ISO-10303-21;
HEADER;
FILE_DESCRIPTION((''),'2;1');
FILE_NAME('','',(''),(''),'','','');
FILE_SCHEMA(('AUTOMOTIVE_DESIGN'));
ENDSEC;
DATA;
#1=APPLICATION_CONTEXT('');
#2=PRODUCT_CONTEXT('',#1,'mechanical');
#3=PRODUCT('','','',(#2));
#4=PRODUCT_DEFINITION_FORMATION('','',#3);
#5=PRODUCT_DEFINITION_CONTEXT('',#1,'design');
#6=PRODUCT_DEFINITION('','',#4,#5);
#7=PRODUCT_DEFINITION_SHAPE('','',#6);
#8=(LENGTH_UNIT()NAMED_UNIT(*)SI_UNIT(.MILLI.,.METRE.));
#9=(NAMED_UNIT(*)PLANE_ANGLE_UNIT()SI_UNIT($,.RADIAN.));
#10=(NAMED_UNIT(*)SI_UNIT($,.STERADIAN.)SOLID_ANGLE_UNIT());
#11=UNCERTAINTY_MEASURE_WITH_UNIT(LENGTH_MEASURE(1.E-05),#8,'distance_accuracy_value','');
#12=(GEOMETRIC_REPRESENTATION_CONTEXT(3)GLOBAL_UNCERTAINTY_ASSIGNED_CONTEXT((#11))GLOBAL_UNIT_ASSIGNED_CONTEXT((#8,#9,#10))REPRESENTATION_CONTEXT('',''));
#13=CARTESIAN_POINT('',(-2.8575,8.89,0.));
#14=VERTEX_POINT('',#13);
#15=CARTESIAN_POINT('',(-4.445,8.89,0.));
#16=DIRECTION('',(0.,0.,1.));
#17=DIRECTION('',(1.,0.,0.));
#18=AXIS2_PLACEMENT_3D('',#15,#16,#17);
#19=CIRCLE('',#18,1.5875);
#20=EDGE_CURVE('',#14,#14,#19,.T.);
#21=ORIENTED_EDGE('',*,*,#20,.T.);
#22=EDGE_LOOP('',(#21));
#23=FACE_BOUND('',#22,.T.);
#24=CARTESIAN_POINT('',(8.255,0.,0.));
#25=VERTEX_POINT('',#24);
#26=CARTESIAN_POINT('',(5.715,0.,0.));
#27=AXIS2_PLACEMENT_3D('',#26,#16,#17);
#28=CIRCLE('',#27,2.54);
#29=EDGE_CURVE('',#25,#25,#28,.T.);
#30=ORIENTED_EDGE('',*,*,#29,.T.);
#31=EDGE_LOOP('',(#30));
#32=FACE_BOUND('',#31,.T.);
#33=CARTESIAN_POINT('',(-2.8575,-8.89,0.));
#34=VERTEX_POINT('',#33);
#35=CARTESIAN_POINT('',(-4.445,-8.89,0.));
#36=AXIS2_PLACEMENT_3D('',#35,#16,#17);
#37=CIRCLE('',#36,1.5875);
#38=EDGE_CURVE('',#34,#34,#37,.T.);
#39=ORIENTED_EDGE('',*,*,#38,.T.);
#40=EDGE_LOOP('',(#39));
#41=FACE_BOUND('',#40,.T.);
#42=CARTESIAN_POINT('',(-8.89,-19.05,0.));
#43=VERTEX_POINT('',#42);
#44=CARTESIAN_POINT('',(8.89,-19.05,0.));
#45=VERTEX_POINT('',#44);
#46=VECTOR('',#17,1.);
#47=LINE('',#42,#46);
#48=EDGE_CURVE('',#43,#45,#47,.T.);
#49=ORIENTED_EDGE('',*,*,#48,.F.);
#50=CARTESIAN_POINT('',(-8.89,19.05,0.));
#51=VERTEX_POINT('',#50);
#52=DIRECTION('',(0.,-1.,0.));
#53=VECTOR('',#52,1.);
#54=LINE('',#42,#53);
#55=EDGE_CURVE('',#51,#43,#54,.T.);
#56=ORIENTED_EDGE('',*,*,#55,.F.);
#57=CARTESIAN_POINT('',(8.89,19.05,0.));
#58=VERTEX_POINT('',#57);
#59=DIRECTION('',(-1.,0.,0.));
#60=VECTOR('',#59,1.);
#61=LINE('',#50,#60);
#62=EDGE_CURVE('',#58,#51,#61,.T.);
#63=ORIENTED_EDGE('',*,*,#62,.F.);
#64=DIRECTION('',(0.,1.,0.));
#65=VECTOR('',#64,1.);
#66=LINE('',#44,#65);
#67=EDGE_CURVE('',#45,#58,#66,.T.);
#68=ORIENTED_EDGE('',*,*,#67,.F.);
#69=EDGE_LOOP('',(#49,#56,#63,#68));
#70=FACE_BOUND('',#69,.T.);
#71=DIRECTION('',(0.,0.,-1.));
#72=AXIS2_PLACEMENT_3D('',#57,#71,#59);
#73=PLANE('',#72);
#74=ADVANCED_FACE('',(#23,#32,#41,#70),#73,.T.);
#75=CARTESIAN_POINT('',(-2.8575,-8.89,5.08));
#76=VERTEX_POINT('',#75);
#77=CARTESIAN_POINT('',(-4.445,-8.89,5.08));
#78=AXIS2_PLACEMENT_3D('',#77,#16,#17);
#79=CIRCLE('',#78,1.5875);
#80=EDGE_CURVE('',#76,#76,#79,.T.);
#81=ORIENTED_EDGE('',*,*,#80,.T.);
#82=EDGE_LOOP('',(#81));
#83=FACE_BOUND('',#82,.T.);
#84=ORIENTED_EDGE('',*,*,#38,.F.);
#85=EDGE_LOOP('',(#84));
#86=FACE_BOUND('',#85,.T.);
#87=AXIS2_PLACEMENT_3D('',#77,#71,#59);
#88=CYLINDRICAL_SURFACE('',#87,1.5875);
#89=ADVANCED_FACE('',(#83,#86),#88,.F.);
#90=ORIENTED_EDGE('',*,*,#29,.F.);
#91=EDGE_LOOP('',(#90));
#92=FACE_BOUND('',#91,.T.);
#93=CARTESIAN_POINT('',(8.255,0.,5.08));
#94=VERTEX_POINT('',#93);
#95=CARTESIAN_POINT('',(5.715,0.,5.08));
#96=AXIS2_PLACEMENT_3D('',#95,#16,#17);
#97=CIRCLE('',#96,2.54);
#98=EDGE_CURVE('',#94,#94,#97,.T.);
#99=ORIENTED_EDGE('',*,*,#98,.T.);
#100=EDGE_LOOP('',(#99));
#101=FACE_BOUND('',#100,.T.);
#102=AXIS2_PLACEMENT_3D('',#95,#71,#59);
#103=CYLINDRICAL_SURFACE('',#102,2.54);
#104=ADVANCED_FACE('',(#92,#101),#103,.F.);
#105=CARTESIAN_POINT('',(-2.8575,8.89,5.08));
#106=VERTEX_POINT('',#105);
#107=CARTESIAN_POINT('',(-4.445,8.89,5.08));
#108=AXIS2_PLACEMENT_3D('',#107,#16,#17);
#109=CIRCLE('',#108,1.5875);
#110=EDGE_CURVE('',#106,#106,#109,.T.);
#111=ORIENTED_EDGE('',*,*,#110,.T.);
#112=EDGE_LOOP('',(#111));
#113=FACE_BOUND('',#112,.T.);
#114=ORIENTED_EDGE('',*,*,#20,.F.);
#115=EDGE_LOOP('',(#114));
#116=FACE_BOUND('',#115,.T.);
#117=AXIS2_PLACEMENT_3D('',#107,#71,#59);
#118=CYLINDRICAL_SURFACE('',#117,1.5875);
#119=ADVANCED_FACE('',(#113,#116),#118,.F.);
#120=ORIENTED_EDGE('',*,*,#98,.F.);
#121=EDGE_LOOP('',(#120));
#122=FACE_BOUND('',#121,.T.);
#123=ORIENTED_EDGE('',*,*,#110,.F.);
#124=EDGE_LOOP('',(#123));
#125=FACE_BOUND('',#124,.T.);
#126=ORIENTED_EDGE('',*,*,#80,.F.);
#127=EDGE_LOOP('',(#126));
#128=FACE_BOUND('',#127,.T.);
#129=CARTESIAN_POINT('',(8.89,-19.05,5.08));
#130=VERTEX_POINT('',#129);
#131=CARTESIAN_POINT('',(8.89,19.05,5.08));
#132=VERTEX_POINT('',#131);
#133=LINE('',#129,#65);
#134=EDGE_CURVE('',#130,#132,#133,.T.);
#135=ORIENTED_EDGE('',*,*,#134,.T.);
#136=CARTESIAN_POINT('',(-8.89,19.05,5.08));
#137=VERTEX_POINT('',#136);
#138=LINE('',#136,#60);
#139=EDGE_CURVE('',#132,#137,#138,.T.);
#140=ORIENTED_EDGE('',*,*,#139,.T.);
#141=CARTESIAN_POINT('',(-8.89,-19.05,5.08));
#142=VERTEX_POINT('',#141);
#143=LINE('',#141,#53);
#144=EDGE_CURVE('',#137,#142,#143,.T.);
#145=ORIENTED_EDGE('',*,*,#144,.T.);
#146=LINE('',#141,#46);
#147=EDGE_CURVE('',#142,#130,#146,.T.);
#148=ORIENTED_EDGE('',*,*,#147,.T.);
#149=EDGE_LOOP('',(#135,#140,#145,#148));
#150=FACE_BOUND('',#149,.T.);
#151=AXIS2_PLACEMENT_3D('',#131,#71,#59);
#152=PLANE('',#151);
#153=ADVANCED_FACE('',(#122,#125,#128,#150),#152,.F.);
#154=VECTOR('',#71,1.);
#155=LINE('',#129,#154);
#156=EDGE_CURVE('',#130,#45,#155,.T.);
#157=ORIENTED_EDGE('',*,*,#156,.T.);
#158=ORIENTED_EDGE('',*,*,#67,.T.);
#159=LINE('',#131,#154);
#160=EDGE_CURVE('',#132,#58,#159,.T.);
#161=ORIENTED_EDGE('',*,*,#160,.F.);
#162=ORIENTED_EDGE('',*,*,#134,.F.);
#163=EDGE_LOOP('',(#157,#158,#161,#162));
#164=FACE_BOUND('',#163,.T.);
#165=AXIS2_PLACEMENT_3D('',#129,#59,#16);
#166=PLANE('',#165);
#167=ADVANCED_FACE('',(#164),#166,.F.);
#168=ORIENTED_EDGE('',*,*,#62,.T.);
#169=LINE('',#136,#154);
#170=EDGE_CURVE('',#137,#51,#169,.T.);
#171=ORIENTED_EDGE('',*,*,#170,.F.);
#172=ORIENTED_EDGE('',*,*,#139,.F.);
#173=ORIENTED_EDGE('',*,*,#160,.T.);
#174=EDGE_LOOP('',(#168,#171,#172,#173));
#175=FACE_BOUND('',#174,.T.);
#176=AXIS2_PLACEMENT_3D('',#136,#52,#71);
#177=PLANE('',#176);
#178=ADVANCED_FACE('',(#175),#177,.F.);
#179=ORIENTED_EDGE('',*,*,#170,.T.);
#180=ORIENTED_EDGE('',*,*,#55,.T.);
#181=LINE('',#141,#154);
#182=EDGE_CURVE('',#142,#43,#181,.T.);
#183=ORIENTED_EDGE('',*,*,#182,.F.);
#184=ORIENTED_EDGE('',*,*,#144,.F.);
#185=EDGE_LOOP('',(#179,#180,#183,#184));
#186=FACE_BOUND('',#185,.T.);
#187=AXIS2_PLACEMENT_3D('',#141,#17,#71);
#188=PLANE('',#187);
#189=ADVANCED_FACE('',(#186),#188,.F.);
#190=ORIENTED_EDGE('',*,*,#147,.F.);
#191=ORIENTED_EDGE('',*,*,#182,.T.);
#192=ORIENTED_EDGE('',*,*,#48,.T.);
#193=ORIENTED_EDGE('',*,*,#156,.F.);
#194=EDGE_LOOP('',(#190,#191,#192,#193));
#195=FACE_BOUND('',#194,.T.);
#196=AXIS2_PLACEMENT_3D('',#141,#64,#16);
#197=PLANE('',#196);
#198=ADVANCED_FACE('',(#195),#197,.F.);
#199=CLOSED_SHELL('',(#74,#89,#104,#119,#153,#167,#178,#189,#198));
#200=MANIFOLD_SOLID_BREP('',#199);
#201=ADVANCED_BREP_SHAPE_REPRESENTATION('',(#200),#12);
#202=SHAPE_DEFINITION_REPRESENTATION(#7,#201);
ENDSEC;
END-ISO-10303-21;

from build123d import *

# Parameters (mm, degrees)
SKETCH1_W      = 17.78
SKETCH1_H      = 38.1
SKETCH1_R      = 2.54
SKETCH1_R_2    = 1.5875
EXTRUDE1_DEPTH = 5.08


with BuildPart() as part:
    # Sketch1 → Extrude1 (new body)
    with BuildSketch(Plane.XY):
        Rectangle(SKETCH1_W, SKETCH1_H)
        with Locations((5.715, 0)):
            Circle(SKETCH1_R, mode=Mode.SUBTRACT)
        with Locations((-4.445, 8.89)):
            Circle(SKETCH1_R_2, mode=Mode.SUBTRACT)
        with Locations((-4.445, -8.89)):
            Circle(SKETCH1_R_2, mode=Mode.SUBTRACT)
    extrude(amount=EXTRUDE1_DEPTH)


solid = part.part
